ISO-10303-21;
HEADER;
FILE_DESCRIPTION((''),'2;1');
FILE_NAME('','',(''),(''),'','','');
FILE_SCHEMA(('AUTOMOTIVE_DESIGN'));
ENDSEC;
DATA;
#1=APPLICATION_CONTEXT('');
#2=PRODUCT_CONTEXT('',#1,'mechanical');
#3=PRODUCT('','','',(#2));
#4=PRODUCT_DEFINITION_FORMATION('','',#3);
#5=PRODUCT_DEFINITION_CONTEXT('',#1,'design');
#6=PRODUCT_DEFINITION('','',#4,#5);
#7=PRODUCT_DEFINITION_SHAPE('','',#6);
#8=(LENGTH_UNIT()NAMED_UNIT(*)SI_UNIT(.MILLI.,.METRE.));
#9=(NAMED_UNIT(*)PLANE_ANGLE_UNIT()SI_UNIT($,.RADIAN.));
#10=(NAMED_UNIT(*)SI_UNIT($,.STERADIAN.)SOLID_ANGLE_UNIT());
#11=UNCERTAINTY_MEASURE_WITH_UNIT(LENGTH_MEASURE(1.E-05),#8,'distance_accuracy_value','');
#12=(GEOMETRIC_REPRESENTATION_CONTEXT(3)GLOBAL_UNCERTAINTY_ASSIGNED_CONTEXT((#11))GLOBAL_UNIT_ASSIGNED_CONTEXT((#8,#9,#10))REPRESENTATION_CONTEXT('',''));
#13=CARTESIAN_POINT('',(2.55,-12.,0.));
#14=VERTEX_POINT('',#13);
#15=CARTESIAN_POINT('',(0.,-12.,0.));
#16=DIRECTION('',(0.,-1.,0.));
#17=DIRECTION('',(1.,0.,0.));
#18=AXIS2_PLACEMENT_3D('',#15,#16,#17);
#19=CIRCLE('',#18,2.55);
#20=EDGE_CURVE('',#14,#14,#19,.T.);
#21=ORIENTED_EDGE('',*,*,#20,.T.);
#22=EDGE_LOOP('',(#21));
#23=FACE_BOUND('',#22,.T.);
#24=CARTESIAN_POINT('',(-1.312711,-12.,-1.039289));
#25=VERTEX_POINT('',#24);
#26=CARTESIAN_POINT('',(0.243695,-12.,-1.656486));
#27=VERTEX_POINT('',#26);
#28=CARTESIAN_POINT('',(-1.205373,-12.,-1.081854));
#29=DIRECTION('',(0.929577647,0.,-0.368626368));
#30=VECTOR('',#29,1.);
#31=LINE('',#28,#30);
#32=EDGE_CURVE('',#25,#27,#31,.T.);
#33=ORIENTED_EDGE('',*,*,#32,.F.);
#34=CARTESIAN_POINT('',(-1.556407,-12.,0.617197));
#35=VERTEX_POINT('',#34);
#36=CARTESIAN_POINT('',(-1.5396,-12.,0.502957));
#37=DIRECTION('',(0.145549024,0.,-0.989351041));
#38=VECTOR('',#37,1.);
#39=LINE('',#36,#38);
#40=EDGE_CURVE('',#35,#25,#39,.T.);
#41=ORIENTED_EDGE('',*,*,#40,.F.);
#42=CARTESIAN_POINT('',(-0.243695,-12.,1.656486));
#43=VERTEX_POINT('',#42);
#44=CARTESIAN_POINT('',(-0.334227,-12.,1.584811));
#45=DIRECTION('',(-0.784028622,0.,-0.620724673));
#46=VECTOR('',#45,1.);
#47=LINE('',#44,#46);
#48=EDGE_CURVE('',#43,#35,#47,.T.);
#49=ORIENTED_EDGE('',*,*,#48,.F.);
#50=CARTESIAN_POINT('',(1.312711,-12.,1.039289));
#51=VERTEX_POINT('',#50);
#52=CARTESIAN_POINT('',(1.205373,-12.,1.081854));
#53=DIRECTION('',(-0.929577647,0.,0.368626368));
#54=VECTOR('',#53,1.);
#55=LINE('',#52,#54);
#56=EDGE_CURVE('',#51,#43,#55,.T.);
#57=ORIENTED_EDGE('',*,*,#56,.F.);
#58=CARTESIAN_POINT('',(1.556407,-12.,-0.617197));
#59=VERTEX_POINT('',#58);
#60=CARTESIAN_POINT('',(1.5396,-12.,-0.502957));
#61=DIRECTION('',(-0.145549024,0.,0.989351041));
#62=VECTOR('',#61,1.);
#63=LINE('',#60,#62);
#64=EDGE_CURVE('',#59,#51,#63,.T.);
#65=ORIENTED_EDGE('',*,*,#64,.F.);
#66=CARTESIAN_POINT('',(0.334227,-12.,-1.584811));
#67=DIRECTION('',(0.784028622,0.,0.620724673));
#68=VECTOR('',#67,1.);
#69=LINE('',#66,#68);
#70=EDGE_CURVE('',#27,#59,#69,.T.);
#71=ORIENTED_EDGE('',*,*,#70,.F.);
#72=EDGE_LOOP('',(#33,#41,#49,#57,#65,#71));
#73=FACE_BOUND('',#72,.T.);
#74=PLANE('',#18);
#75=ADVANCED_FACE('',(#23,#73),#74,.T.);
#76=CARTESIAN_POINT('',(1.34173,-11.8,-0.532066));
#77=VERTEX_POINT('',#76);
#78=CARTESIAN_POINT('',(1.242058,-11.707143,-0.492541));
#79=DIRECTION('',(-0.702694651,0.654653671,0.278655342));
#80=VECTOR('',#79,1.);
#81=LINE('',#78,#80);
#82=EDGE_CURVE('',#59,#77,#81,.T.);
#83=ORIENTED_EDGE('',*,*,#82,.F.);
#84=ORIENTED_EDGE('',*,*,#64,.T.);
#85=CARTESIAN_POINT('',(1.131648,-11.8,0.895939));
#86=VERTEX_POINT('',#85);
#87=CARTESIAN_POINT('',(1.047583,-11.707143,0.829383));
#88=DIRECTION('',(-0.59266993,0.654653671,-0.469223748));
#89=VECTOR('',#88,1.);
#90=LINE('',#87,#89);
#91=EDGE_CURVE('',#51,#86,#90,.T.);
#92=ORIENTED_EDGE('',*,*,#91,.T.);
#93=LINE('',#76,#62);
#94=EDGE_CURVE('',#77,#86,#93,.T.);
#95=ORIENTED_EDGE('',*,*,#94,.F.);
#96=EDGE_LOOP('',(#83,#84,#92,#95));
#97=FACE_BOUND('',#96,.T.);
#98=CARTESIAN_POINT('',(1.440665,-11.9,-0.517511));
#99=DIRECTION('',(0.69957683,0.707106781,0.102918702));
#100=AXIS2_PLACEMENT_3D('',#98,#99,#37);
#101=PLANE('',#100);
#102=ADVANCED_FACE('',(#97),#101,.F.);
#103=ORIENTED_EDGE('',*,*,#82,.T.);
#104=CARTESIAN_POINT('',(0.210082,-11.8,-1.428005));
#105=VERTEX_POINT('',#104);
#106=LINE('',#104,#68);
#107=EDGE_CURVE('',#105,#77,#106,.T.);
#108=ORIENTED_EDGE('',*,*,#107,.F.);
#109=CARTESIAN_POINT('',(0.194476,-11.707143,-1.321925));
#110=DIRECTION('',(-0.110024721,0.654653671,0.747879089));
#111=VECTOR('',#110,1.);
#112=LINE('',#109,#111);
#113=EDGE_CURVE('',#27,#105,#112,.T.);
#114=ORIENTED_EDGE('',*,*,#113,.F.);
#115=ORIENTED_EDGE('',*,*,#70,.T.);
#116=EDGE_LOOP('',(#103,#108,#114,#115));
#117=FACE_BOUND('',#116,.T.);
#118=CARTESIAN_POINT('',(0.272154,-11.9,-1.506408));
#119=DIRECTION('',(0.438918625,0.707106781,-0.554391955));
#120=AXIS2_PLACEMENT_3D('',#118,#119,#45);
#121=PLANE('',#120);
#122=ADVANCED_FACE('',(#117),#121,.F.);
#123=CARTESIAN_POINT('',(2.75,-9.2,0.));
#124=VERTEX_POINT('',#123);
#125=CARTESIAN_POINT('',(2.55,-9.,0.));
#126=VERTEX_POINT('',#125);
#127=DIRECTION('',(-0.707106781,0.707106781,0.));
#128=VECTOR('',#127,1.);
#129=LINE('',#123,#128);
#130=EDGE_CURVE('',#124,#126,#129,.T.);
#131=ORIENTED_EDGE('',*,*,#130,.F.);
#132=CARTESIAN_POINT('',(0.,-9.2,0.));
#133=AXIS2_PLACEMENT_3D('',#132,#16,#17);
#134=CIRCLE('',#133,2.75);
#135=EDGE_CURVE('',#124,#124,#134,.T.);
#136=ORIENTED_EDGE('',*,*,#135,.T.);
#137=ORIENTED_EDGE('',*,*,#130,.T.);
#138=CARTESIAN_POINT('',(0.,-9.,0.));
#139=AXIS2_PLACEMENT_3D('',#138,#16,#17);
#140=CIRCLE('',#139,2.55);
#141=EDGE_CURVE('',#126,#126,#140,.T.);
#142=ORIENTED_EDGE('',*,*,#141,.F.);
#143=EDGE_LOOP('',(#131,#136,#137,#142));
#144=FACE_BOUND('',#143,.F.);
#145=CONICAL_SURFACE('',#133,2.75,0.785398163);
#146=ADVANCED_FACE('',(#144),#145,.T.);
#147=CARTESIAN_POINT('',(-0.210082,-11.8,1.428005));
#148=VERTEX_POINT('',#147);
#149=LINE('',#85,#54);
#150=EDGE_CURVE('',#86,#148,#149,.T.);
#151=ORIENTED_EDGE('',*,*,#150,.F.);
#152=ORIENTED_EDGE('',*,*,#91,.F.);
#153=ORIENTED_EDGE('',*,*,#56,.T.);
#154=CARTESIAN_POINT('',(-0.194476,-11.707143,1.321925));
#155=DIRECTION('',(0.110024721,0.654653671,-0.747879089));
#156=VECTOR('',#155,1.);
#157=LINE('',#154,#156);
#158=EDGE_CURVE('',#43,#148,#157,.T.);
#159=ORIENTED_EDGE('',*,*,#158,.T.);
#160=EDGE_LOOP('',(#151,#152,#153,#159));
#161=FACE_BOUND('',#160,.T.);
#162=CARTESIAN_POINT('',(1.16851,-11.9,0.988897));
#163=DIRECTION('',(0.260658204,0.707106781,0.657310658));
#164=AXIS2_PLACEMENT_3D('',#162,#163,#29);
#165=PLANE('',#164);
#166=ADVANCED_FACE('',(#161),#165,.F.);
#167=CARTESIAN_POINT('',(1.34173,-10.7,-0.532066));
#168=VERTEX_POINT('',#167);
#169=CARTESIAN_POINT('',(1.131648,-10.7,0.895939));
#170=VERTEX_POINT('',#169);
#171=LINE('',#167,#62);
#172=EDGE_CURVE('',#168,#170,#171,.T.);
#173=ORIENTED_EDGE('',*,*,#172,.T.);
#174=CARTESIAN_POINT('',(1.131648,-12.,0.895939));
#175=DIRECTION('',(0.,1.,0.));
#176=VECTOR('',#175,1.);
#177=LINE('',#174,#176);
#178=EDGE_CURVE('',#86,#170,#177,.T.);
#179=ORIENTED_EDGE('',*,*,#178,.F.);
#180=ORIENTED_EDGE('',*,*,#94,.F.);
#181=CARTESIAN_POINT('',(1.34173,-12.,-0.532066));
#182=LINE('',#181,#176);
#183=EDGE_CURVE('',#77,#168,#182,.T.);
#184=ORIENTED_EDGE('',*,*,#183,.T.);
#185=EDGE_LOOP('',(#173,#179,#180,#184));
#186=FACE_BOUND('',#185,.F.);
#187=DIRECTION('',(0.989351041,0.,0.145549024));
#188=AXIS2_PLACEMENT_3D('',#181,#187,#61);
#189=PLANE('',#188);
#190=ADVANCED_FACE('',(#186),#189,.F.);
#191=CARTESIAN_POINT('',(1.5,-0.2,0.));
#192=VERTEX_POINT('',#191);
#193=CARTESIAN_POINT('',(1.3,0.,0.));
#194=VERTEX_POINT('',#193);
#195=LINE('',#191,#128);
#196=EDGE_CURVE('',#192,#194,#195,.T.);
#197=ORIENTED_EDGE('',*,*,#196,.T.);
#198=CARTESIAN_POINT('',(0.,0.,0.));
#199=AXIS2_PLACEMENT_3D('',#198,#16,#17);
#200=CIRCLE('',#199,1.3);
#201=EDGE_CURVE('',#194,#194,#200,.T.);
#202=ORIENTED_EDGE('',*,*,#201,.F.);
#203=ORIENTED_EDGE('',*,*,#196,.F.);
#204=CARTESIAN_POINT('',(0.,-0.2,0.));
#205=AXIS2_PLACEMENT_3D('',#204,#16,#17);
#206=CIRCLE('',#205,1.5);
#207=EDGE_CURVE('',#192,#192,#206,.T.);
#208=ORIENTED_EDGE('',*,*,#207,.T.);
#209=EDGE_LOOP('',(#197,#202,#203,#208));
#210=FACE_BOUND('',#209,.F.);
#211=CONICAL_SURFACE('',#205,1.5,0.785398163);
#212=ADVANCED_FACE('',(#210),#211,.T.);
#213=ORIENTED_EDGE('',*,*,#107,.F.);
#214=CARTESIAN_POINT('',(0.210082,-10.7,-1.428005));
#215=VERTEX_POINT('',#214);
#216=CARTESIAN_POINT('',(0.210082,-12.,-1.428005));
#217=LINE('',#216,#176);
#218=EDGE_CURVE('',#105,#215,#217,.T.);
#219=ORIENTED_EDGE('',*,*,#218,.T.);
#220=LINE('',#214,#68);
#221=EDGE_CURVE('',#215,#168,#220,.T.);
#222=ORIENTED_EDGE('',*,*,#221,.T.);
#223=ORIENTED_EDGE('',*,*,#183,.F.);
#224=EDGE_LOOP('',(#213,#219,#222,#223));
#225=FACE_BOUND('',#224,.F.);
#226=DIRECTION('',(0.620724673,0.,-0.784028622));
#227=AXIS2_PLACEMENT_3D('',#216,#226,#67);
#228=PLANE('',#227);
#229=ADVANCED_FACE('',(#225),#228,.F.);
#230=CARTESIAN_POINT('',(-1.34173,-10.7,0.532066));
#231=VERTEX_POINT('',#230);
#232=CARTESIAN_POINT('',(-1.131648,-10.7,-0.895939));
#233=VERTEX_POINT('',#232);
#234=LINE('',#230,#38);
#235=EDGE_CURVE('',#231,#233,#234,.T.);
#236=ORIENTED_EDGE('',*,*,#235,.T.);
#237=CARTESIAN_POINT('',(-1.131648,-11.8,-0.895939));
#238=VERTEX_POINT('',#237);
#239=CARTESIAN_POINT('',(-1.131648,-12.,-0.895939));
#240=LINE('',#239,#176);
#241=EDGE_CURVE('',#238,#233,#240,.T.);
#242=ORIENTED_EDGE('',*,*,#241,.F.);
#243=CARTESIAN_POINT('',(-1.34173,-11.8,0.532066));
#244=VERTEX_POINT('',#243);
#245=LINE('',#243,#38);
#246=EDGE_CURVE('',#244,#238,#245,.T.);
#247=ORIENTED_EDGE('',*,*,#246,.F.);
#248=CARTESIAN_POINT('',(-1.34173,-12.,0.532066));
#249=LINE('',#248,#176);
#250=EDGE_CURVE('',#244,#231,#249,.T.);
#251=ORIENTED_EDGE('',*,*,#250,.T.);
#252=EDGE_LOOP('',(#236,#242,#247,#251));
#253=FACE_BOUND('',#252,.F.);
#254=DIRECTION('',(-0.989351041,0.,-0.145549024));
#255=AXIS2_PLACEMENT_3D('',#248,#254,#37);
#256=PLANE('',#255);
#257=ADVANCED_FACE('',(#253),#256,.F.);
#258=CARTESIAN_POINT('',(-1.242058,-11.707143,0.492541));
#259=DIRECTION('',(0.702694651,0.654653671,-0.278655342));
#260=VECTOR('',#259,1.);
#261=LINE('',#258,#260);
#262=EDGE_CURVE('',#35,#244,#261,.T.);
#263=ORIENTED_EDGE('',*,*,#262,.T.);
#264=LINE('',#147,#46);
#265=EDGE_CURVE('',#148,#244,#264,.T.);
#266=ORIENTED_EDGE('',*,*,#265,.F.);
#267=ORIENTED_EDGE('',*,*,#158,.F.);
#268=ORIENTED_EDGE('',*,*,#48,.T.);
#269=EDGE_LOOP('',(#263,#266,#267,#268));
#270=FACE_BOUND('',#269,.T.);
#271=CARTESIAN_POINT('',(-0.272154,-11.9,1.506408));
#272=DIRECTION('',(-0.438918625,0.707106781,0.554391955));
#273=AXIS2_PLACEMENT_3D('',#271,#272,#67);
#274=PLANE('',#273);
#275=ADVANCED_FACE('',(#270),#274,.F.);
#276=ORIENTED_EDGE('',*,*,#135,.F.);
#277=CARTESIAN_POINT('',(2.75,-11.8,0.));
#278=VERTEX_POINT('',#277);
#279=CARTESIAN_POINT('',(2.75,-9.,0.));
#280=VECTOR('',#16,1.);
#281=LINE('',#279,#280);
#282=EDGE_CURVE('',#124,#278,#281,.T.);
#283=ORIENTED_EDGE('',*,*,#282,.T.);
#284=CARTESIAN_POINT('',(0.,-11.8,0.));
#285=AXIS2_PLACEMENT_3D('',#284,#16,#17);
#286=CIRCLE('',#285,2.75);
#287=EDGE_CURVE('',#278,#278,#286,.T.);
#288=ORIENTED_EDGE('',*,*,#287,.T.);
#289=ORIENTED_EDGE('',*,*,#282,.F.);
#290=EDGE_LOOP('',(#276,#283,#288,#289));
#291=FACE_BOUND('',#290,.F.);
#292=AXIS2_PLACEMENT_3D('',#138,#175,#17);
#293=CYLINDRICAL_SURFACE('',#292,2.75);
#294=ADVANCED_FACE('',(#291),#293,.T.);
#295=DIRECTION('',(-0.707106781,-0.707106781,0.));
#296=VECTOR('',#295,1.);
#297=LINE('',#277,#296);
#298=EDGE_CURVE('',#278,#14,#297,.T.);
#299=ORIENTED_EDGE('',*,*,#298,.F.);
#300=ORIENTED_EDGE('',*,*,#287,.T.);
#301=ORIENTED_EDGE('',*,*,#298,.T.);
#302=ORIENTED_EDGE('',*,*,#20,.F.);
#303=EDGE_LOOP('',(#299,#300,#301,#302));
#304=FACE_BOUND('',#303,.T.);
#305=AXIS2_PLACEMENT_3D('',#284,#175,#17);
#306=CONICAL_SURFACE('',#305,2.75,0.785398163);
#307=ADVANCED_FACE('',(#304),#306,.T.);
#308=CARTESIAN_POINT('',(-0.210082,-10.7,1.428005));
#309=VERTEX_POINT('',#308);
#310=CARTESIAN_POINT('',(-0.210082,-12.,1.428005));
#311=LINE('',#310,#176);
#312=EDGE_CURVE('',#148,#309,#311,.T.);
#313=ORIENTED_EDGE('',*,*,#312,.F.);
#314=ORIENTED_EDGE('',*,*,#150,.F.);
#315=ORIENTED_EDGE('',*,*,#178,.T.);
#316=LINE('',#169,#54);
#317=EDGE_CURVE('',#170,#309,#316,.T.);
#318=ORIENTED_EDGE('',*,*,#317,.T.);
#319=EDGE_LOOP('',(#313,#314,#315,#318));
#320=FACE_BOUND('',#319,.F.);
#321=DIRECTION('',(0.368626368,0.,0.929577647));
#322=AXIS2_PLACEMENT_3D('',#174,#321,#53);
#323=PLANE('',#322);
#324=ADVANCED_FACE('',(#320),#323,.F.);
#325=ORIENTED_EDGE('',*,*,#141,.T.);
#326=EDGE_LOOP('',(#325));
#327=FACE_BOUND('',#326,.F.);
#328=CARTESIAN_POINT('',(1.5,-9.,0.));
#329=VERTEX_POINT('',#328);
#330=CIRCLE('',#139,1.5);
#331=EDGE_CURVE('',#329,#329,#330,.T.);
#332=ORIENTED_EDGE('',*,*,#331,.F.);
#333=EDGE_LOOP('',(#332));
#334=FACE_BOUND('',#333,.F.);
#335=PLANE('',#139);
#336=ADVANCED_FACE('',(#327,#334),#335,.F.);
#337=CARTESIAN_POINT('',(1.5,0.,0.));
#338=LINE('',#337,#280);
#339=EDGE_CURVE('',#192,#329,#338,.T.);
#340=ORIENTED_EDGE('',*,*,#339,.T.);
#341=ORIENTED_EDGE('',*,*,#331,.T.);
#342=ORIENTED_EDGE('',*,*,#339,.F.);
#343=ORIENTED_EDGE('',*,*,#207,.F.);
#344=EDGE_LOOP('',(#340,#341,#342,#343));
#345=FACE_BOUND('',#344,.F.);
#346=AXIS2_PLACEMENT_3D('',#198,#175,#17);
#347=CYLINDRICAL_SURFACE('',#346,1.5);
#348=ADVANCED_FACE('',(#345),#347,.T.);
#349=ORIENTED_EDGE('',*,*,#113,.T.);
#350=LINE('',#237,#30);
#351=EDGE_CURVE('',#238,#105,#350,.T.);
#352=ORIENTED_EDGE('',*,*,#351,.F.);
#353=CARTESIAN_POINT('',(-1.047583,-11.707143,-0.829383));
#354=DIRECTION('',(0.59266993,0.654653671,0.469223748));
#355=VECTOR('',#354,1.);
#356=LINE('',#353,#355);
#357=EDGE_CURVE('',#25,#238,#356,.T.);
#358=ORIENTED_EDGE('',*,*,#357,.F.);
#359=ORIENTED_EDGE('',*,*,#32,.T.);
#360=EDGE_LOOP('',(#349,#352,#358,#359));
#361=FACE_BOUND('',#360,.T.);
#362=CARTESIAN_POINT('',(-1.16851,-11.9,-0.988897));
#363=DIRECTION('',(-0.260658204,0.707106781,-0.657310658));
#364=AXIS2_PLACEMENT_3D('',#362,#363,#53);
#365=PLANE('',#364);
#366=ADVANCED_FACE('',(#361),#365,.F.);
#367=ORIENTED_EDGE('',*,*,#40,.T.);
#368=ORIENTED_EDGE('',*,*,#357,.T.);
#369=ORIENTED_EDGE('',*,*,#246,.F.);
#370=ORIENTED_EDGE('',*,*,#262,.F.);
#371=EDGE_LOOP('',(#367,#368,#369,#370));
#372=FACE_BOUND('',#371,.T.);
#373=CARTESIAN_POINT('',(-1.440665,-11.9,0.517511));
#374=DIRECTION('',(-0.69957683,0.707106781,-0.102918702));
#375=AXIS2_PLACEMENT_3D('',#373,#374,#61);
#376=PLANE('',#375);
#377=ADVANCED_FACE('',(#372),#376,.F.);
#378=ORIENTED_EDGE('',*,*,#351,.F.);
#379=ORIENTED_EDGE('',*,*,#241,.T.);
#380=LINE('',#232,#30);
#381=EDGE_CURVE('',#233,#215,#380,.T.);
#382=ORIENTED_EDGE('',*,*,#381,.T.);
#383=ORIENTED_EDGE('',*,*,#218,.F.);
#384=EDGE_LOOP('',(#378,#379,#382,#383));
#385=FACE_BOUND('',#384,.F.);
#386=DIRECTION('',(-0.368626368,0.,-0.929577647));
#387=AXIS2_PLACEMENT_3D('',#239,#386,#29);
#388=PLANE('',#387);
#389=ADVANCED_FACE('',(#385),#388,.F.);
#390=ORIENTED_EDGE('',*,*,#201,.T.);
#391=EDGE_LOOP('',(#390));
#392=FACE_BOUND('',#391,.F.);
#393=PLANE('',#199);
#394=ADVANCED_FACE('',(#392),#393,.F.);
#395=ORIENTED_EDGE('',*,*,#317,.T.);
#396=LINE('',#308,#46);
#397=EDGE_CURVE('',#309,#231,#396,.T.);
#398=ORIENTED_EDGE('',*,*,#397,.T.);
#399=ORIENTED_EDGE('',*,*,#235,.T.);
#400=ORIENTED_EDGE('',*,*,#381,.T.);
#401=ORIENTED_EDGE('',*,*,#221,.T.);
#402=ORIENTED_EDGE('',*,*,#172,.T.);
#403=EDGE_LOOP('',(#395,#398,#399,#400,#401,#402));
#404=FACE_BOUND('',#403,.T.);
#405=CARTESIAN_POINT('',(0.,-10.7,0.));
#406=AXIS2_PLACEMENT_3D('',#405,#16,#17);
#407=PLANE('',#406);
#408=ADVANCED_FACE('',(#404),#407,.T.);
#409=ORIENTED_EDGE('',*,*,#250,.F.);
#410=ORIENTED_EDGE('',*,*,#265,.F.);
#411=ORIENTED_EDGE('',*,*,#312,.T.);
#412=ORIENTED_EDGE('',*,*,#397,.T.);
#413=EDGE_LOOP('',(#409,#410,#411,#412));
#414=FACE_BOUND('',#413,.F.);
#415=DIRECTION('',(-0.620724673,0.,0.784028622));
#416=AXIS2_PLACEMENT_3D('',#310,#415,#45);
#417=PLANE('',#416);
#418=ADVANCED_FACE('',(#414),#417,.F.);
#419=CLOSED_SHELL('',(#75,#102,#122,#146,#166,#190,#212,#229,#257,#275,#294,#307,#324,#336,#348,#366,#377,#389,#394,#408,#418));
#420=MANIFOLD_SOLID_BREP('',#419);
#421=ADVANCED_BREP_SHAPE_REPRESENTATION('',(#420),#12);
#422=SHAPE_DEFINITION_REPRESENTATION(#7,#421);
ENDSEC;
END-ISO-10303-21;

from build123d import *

# Parameters (mm, degrees)
F0_R     = 1.5
F1_DEPTH = 9
F2_R     = 2.75
F3_DEPTH = 3
F5_DEPTH = 1.3
F6_SIZE  = 0.2


with BuildPart() as f1:
    # F0 (on Front) → F1 (new body)
    with BuildSketch(Plane.XZ):
        Circle(F0_R)
    extrude(amount=F1_DEPTH)

    # F2 (on face) → F3 (join)
    with BuildSketch(Plane.XZ.offset(9)):
        Circle(F2_R)
    extrude(amount=F3_DEPTH)

    # F4 (on face) → F5 (cut)
    with BuildSketch(Plane.XZ.offset(12)):
        Polygon((0.2100819211, -1.428005224), (1.3417297613, -0.5320663314), (1.1316478402, 0.8959388926), (-0.2100819211, 1.428005224), (-1.3417297613, 0.5320663314), (-1.1316478402, -0.8959388926), align=None)
    extrude(amount=-F5_DEPTH, mode=Mode.SUBTRACT)

    # F6
    f6_edges = [f1.edges().sort_by_distance(p)[0] for p in [
        (-2.75, -12, 0),
        (-2.75, -9, 0),
        (-1.5, 0, 0),
        (-1.236689, -12, -0.181936),
        (-0.460783, -12, -1.161972),
        (0.775906, -12, -0.980036),
        (1.236689, -12, 0.181936),
        (0.460783, -12, 1.161972),
        (-0.775906, -12, 0.980036),
    ]]
    chamfer(f6_edges, length=F6_SIZE)


solid = f1.part
